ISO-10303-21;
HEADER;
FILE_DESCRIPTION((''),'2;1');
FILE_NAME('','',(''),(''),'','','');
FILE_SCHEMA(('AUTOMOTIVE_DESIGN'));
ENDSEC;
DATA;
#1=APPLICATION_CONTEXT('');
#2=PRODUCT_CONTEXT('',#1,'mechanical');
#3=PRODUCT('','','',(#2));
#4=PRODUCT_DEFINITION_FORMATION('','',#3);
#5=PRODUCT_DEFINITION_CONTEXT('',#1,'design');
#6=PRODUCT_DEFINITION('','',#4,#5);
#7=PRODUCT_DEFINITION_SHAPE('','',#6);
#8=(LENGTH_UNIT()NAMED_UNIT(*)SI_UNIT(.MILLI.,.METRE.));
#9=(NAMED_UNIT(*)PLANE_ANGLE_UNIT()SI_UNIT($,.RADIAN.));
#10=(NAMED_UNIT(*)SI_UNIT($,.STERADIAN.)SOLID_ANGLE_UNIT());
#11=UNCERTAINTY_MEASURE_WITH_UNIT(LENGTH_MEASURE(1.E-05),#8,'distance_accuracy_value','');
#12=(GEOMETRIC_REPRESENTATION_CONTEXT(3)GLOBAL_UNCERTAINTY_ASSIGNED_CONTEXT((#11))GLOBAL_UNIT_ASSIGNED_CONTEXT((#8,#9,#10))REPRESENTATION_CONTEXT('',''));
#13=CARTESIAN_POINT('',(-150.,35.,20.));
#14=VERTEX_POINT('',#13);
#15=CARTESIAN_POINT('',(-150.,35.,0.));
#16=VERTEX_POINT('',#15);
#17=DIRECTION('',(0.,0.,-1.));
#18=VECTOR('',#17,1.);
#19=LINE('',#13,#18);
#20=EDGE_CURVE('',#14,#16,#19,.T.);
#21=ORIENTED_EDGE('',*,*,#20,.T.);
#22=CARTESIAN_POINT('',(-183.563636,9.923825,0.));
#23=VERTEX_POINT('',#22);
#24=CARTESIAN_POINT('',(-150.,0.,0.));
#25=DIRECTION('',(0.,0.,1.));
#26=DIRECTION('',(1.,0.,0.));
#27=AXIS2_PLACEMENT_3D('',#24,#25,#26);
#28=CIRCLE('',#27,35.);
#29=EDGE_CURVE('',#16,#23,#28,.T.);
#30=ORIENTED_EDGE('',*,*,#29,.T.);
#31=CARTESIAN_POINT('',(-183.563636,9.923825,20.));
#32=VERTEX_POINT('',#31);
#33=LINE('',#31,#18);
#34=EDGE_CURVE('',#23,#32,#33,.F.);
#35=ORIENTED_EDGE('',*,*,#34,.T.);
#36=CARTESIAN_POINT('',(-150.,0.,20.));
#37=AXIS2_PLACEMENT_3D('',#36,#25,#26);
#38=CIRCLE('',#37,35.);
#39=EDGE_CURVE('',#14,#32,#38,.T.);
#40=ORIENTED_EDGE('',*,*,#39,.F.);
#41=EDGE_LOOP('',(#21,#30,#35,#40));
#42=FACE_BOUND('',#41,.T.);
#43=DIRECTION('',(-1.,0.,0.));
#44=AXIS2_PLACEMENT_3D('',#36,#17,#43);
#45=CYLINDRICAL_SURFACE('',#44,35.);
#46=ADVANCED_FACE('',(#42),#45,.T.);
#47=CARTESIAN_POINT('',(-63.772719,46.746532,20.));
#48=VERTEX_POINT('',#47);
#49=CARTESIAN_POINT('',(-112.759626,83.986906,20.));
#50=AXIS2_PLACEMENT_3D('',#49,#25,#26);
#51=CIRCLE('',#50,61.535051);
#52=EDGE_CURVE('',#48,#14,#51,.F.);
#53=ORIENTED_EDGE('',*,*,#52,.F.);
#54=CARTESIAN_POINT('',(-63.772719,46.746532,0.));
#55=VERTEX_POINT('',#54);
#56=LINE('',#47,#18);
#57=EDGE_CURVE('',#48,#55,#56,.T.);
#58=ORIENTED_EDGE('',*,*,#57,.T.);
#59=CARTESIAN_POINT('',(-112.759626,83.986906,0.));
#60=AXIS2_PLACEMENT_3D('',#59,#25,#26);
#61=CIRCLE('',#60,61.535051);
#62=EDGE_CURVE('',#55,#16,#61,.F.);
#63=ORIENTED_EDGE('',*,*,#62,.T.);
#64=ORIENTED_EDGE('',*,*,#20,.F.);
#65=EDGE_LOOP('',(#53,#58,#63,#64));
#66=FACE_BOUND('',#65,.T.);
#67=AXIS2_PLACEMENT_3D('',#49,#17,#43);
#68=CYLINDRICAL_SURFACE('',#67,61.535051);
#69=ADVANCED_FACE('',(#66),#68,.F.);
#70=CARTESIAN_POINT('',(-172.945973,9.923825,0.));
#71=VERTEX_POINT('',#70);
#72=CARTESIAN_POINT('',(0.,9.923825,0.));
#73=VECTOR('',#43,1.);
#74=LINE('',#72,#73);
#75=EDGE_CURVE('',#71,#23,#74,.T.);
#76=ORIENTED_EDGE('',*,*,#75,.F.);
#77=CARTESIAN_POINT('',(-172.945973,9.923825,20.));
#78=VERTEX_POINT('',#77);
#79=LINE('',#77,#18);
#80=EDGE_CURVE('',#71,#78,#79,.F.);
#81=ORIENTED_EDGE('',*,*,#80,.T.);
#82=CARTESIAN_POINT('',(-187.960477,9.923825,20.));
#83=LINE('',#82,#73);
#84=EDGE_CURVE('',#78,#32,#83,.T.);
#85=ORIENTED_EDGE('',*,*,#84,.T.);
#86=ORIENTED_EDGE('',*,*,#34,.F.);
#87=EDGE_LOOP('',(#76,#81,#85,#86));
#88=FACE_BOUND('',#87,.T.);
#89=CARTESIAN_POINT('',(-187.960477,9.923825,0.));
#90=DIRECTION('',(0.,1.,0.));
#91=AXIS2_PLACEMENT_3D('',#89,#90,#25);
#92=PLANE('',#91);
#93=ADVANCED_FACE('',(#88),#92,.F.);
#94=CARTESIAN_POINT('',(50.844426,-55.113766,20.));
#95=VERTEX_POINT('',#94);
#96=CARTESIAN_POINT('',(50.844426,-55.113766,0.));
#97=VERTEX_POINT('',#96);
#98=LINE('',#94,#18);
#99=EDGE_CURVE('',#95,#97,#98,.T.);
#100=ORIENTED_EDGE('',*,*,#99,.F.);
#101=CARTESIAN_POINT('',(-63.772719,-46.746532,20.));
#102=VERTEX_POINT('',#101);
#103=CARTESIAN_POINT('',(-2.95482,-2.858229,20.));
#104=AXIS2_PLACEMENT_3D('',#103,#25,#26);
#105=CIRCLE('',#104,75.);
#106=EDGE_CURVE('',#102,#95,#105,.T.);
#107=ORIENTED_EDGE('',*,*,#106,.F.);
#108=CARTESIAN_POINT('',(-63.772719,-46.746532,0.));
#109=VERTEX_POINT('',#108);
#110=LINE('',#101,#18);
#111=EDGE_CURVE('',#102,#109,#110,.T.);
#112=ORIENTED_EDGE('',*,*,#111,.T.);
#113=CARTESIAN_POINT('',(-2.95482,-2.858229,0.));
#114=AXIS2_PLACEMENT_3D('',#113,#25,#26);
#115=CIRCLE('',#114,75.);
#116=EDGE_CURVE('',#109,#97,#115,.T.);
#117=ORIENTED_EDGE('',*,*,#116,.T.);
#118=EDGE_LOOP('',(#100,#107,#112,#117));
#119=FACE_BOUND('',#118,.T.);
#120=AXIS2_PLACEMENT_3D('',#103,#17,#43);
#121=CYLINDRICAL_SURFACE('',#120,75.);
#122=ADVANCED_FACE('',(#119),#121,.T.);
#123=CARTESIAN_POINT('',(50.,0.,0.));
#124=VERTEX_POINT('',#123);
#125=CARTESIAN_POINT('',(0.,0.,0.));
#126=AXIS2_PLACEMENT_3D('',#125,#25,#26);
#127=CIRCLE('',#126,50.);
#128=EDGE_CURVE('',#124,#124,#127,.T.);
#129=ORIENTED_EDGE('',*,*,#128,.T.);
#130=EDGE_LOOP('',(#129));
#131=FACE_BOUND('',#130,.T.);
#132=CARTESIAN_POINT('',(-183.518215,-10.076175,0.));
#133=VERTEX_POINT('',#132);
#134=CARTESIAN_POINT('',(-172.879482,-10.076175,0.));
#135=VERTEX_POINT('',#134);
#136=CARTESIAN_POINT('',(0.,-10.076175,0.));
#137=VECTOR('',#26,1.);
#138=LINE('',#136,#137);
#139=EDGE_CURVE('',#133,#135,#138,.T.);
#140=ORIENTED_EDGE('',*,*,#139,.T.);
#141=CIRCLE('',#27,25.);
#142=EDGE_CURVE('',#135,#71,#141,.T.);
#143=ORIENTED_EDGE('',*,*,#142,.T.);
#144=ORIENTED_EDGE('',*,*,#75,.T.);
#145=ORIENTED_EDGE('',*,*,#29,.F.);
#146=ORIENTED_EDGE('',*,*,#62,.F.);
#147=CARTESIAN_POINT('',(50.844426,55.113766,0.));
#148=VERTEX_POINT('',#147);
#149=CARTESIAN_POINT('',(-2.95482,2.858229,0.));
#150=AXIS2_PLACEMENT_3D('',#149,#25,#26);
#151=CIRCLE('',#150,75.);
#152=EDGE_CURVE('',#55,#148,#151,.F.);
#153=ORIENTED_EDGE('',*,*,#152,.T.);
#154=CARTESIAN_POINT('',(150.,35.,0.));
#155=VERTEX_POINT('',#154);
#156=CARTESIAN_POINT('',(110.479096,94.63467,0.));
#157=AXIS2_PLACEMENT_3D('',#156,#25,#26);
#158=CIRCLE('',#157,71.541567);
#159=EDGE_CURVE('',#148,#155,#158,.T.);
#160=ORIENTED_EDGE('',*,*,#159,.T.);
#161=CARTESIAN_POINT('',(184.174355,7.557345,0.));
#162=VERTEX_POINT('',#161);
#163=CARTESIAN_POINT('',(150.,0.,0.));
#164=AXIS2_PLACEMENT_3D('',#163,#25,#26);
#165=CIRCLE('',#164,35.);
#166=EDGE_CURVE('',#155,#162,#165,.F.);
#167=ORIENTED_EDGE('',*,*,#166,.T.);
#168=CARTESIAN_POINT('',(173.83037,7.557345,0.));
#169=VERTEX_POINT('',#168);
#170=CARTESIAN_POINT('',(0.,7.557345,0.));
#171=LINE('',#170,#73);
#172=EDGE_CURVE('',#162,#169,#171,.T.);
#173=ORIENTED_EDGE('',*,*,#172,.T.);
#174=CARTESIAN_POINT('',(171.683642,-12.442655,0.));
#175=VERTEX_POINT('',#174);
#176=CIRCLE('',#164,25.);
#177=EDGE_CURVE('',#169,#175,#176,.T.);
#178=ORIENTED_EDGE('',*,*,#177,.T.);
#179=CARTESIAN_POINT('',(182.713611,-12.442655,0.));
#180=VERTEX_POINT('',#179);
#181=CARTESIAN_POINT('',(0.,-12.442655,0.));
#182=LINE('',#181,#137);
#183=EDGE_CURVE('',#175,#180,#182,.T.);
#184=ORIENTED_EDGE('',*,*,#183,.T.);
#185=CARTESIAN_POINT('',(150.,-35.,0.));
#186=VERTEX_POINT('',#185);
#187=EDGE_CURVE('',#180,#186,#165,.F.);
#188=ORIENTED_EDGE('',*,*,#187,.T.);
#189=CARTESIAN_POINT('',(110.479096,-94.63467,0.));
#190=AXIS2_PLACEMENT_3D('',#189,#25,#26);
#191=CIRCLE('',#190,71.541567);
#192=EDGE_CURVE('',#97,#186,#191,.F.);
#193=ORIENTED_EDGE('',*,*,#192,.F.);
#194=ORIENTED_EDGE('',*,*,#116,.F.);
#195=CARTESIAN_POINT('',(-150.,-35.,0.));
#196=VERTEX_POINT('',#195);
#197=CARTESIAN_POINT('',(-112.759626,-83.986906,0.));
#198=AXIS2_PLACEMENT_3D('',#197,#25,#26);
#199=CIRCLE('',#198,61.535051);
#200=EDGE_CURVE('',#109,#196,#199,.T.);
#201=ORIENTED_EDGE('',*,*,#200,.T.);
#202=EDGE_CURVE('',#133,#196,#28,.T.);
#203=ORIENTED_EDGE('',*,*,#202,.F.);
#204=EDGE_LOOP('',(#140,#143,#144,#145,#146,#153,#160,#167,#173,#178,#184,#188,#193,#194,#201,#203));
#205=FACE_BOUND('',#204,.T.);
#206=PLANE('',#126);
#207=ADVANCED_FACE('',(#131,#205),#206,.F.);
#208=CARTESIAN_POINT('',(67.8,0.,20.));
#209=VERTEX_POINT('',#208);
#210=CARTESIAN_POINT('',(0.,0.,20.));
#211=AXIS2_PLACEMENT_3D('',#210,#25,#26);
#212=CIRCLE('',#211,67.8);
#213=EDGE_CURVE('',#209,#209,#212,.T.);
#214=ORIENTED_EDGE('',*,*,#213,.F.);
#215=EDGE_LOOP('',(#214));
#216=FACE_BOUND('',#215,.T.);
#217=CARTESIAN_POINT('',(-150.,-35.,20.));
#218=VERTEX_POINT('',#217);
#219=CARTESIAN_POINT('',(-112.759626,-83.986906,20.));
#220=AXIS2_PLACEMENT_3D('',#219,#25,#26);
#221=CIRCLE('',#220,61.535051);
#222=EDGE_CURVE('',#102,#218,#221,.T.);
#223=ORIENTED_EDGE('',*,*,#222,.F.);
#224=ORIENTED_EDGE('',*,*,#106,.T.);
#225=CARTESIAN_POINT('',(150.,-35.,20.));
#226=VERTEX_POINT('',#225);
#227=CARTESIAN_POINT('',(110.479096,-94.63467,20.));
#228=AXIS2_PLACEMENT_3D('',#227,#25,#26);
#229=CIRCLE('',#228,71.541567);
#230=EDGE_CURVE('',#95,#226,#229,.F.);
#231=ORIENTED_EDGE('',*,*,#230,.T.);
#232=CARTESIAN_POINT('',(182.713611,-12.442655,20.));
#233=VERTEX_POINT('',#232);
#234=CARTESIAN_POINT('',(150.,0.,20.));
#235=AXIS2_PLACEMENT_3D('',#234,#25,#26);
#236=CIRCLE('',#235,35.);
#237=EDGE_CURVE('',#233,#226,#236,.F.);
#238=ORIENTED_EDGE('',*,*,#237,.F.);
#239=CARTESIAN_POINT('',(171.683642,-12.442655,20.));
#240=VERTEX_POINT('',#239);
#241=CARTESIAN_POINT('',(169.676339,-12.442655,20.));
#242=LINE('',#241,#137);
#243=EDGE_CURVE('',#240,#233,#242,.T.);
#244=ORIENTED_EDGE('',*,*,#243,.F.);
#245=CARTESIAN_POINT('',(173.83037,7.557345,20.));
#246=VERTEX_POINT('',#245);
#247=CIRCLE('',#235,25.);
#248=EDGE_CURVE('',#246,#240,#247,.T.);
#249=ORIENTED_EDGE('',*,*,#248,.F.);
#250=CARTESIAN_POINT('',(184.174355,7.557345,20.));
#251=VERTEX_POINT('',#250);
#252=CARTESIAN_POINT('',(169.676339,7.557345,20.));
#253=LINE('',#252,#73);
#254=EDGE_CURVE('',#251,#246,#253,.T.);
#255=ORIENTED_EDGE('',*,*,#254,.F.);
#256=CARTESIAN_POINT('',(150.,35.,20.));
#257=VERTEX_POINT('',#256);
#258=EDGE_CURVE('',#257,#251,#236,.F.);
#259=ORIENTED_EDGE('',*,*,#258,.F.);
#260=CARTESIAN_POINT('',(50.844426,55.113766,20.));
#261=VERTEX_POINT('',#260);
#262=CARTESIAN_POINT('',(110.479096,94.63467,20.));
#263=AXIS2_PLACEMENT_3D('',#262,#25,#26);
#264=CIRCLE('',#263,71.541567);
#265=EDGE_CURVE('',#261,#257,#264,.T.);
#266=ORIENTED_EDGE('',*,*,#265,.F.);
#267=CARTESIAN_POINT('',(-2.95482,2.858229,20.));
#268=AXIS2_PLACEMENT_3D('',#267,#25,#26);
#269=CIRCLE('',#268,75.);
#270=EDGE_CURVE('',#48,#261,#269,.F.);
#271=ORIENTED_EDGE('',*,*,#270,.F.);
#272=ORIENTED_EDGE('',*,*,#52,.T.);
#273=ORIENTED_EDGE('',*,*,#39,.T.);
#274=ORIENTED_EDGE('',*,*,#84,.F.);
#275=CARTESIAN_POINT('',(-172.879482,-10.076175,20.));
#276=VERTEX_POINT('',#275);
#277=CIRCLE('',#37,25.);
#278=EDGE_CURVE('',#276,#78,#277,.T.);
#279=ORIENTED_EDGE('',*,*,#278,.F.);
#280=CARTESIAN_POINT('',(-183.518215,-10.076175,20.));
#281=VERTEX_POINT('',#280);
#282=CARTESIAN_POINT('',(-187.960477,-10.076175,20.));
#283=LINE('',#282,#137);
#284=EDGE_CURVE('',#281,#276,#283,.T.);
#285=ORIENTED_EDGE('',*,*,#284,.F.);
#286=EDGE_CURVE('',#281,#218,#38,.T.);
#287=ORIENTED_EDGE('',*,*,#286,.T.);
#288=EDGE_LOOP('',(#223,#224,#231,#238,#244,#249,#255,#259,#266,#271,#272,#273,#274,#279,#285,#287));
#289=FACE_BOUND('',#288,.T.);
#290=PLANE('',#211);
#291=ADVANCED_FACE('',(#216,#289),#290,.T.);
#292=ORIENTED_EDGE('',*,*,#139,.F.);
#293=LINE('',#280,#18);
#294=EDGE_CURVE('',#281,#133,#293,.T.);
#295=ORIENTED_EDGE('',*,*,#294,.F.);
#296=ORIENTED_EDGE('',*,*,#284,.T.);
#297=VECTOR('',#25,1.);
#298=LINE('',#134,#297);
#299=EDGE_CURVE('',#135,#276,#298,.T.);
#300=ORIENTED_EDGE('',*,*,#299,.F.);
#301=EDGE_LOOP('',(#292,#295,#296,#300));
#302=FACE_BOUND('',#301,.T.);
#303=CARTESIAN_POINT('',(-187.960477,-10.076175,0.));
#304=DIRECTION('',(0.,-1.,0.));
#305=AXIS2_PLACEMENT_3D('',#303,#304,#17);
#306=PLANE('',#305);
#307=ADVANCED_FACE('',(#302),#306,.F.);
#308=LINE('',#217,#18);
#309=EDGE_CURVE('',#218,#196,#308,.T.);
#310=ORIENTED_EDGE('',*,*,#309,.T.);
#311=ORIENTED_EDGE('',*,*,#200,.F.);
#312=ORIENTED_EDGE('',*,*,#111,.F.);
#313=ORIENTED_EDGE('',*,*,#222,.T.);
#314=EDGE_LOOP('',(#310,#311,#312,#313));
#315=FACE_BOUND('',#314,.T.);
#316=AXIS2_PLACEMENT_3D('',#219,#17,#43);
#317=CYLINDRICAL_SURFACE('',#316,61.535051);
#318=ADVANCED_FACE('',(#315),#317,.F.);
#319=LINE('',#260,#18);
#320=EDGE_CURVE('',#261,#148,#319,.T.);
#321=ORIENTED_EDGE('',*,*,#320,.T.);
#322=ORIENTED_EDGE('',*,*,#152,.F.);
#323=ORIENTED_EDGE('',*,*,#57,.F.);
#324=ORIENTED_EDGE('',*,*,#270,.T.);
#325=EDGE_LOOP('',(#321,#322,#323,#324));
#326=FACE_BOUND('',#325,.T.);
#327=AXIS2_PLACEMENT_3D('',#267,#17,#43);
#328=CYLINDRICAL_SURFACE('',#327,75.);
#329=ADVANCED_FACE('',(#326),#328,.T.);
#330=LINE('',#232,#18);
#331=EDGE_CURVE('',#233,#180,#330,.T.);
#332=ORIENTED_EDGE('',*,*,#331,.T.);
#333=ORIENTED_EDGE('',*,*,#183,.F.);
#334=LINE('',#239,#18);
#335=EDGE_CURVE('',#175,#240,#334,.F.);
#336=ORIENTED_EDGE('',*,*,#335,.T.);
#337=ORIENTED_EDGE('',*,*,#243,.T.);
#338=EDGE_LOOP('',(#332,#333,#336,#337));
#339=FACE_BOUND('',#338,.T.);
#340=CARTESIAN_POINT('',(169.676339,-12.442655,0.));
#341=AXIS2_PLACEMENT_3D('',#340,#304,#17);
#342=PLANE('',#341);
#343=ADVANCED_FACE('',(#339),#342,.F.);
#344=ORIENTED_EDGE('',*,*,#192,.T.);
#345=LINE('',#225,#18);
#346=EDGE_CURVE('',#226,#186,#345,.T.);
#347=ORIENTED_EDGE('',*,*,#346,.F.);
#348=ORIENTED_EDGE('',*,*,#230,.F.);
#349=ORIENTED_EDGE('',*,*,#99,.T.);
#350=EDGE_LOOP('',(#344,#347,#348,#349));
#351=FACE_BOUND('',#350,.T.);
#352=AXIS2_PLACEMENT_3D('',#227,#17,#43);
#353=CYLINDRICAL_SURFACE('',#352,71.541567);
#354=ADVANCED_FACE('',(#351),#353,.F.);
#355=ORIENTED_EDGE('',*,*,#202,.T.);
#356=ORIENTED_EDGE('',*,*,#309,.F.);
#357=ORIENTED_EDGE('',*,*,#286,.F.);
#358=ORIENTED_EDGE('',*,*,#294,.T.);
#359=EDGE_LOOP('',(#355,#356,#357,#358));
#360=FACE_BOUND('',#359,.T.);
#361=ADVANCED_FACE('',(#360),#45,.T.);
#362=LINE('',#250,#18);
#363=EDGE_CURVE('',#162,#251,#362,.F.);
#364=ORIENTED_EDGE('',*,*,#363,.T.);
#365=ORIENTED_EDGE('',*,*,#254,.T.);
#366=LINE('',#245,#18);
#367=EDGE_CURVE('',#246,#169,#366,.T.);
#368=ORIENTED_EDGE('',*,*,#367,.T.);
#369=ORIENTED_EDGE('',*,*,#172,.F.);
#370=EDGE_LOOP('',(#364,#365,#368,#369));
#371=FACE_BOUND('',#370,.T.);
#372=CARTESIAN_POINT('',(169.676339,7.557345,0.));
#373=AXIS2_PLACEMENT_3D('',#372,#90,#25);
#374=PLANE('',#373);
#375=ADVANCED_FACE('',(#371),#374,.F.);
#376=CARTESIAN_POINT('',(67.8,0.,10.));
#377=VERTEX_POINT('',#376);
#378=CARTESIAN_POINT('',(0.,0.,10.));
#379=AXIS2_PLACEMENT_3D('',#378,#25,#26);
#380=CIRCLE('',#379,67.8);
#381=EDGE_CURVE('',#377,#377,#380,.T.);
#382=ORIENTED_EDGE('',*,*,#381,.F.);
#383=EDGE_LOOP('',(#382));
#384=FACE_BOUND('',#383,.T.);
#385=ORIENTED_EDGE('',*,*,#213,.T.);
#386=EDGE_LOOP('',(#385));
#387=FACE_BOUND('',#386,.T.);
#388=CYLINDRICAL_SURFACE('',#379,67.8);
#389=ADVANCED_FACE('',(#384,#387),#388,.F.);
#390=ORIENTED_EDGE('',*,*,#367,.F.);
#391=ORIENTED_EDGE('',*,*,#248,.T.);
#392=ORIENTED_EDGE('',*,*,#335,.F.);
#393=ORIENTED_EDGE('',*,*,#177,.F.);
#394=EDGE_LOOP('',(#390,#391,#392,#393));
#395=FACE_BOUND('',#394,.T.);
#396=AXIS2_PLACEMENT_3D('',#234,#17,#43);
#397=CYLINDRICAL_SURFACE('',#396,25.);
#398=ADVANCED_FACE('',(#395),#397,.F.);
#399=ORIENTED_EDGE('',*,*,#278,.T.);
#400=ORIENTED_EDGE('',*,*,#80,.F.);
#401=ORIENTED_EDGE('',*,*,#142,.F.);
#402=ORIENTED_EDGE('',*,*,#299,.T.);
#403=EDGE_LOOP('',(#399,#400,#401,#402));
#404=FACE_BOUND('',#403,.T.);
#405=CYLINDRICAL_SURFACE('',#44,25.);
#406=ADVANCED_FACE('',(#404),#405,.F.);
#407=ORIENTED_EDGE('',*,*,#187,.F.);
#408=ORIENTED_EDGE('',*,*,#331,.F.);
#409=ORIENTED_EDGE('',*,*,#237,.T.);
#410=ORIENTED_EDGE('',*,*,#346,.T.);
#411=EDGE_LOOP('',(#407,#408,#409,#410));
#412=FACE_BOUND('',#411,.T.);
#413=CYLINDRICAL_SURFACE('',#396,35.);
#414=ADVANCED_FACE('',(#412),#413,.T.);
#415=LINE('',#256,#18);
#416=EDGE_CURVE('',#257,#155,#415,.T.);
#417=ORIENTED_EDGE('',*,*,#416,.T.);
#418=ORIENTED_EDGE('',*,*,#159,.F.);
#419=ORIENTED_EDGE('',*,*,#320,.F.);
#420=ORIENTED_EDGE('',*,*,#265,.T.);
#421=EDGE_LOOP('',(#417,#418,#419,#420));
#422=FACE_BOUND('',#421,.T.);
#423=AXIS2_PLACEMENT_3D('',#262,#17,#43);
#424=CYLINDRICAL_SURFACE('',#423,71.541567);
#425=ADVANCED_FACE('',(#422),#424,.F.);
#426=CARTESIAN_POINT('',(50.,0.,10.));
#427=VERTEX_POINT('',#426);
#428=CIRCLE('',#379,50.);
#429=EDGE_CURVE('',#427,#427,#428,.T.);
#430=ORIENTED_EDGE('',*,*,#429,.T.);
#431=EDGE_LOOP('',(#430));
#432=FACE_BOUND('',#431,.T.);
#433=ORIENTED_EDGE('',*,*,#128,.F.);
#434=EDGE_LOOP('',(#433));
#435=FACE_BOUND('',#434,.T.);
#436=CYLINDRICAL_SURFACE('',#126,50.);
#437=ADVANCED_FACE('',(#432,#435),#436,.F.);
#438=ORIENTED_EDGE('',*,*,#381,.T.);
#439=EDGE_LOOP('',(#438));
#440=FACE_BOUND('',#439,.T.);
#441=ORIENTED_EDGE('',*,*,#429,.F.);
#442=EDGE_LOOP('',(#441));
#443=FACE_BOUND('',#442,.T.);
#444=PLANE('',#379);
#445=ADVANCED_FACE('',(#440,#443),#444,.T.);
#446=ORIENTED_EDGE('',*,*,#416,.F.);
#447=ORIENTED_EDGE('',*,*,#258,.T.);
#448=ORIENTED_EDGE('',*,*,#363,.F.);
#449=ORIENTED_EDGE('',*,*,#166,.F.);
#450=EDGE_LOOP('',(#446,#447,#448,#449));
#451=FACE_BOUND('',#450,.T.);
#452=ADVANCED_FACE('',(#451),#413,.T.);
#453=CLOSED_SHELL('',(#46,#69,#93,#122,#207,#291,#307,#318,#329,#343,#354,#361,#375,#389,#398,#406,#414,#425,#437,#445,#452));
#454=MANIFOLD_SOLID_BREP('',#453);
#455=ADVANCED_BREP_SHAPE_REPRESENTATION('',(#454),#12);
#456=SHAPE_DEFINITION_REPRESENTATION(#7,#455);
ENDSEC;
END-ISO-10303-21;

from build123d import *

# Parameters (mm, degrees)
SKETCH1_R           = 67.8
SKETCH1_R_2         = 50
BOSS_EXTRUDE1_DEPTH = 10
SKETCH2_R           = 25
BOSS_EXTRUDE2_DEPTH = 20
SKETCH3_R           = 67.8
CUT_EXTRUDE1_DEPTH  = 10
SKETCH4_R           = 50
CUT_EXTRUDE2_DEPTH  = 11
SKETCH5_W           = 15.080994576
SKETCH5_H           = 20
CUT_EXTRUDE3_DEPTH  = 21
SKETCH6_W           = 19.646297403
SKETCH6_H           = 20
CUT_EXTRUDE4_DEPTH  = 21


with BuildPart() as part:
    # Sketch1 → Boss-Extrude1 (new body)
    with BuildSketch(Plane.XY):
        Circle(SKETCH1_R)
        Circle(SKETCH1_R_2, mode=Mode.SUBTRACT)
    extrude(amount=BOSS_EXTRUDE1_DEPTH)

    # Sketch2 → Boss-Extrude2 (add)
    with BuildSketch(Plane.XY):
        with BuildLine():
            ThreePointArc((-63.772719488, 46.746532272), (-8.415408503, 77.65917808), (50.844425579, 55.113765796))
            ThreePointArc((50.844425579, 55.113765796), (96.256515498, 24.521091043), (150, 35))
            ThreePointArc((150, 35), (185, 0), (150, -35))
            ThreePointArc((150, -35), (96.256515498, -24.521091043), (50.844425579, -55.113765796))
            ThreePointArc((50.844425579, -55.113765796), (-8.415408503, -77.65917808), (-63.772719488, -46.746532272))
            ThreePointArc((-63.772719488, -46.746532272), (-104.453573255, -23.015011619), (-150, -35))
            ThreePointArc((-150, -35), (-185, 0), (-150, 35))
            ThreePointArc((-150, 35), (-104.453573255, 23.015011619), (-63.772719488, 46.746532272))
        make_face()
        with Locations((-150, 0)):
            Circle(SKETCH2_R, mode=Mode.SUBTRACT)
        with Locations((150, 0)):
            Circle(SKETCH2_R, mode=Mode.SUBTRACT)
    extrude(amount=BOSS_EXTRUDE2_DEPTH)

    # Sketch3 → Cut-Extrude1 (cut)
    with BuildSketch(Plane.XY.offset(20)):
        Circle(SKETCH3_R)
    extrude(amount=-CUT_EXTRUDE1_DEPTH, mode=Mode.SUBTRACT)

    # Sketch4 → Cut-Extrude2 (cut, through all)
    with BuildSketch(Plane.XY.offset(10)):
        Circle(SKETCH4_R)
    extrude(amount=-CUT_EXTRUDE2_DEPTH, mode=Mode.SUBTRACT)

    # Sketch5 → Cut-Extrude3 (cut, through all)
    with BuildSketch(Plane.XY.offset(20)):
        with Locations((-180.419979471, -0.076174623)):
            Rectangle(SKETCH5_W, SKETCH5_H)
    extrude(amount=-CUT_EXTRUDE3_DEPTH, mode=Mode.SUBTRACT)

    # Sketch6 → Cut-Extrude4 (cut, through all)
    with BuildSketch(Plane.XY.offset(20)):
        with Locations((179.499488159, -2.442655022)):
            Rectangle(SKETCH6_W, SKETCH6_H)
    extrude(amount=-CUT_EXTRUDE4_DEPTH, mode=Mode.SUBTRACT)


solid = part.part
